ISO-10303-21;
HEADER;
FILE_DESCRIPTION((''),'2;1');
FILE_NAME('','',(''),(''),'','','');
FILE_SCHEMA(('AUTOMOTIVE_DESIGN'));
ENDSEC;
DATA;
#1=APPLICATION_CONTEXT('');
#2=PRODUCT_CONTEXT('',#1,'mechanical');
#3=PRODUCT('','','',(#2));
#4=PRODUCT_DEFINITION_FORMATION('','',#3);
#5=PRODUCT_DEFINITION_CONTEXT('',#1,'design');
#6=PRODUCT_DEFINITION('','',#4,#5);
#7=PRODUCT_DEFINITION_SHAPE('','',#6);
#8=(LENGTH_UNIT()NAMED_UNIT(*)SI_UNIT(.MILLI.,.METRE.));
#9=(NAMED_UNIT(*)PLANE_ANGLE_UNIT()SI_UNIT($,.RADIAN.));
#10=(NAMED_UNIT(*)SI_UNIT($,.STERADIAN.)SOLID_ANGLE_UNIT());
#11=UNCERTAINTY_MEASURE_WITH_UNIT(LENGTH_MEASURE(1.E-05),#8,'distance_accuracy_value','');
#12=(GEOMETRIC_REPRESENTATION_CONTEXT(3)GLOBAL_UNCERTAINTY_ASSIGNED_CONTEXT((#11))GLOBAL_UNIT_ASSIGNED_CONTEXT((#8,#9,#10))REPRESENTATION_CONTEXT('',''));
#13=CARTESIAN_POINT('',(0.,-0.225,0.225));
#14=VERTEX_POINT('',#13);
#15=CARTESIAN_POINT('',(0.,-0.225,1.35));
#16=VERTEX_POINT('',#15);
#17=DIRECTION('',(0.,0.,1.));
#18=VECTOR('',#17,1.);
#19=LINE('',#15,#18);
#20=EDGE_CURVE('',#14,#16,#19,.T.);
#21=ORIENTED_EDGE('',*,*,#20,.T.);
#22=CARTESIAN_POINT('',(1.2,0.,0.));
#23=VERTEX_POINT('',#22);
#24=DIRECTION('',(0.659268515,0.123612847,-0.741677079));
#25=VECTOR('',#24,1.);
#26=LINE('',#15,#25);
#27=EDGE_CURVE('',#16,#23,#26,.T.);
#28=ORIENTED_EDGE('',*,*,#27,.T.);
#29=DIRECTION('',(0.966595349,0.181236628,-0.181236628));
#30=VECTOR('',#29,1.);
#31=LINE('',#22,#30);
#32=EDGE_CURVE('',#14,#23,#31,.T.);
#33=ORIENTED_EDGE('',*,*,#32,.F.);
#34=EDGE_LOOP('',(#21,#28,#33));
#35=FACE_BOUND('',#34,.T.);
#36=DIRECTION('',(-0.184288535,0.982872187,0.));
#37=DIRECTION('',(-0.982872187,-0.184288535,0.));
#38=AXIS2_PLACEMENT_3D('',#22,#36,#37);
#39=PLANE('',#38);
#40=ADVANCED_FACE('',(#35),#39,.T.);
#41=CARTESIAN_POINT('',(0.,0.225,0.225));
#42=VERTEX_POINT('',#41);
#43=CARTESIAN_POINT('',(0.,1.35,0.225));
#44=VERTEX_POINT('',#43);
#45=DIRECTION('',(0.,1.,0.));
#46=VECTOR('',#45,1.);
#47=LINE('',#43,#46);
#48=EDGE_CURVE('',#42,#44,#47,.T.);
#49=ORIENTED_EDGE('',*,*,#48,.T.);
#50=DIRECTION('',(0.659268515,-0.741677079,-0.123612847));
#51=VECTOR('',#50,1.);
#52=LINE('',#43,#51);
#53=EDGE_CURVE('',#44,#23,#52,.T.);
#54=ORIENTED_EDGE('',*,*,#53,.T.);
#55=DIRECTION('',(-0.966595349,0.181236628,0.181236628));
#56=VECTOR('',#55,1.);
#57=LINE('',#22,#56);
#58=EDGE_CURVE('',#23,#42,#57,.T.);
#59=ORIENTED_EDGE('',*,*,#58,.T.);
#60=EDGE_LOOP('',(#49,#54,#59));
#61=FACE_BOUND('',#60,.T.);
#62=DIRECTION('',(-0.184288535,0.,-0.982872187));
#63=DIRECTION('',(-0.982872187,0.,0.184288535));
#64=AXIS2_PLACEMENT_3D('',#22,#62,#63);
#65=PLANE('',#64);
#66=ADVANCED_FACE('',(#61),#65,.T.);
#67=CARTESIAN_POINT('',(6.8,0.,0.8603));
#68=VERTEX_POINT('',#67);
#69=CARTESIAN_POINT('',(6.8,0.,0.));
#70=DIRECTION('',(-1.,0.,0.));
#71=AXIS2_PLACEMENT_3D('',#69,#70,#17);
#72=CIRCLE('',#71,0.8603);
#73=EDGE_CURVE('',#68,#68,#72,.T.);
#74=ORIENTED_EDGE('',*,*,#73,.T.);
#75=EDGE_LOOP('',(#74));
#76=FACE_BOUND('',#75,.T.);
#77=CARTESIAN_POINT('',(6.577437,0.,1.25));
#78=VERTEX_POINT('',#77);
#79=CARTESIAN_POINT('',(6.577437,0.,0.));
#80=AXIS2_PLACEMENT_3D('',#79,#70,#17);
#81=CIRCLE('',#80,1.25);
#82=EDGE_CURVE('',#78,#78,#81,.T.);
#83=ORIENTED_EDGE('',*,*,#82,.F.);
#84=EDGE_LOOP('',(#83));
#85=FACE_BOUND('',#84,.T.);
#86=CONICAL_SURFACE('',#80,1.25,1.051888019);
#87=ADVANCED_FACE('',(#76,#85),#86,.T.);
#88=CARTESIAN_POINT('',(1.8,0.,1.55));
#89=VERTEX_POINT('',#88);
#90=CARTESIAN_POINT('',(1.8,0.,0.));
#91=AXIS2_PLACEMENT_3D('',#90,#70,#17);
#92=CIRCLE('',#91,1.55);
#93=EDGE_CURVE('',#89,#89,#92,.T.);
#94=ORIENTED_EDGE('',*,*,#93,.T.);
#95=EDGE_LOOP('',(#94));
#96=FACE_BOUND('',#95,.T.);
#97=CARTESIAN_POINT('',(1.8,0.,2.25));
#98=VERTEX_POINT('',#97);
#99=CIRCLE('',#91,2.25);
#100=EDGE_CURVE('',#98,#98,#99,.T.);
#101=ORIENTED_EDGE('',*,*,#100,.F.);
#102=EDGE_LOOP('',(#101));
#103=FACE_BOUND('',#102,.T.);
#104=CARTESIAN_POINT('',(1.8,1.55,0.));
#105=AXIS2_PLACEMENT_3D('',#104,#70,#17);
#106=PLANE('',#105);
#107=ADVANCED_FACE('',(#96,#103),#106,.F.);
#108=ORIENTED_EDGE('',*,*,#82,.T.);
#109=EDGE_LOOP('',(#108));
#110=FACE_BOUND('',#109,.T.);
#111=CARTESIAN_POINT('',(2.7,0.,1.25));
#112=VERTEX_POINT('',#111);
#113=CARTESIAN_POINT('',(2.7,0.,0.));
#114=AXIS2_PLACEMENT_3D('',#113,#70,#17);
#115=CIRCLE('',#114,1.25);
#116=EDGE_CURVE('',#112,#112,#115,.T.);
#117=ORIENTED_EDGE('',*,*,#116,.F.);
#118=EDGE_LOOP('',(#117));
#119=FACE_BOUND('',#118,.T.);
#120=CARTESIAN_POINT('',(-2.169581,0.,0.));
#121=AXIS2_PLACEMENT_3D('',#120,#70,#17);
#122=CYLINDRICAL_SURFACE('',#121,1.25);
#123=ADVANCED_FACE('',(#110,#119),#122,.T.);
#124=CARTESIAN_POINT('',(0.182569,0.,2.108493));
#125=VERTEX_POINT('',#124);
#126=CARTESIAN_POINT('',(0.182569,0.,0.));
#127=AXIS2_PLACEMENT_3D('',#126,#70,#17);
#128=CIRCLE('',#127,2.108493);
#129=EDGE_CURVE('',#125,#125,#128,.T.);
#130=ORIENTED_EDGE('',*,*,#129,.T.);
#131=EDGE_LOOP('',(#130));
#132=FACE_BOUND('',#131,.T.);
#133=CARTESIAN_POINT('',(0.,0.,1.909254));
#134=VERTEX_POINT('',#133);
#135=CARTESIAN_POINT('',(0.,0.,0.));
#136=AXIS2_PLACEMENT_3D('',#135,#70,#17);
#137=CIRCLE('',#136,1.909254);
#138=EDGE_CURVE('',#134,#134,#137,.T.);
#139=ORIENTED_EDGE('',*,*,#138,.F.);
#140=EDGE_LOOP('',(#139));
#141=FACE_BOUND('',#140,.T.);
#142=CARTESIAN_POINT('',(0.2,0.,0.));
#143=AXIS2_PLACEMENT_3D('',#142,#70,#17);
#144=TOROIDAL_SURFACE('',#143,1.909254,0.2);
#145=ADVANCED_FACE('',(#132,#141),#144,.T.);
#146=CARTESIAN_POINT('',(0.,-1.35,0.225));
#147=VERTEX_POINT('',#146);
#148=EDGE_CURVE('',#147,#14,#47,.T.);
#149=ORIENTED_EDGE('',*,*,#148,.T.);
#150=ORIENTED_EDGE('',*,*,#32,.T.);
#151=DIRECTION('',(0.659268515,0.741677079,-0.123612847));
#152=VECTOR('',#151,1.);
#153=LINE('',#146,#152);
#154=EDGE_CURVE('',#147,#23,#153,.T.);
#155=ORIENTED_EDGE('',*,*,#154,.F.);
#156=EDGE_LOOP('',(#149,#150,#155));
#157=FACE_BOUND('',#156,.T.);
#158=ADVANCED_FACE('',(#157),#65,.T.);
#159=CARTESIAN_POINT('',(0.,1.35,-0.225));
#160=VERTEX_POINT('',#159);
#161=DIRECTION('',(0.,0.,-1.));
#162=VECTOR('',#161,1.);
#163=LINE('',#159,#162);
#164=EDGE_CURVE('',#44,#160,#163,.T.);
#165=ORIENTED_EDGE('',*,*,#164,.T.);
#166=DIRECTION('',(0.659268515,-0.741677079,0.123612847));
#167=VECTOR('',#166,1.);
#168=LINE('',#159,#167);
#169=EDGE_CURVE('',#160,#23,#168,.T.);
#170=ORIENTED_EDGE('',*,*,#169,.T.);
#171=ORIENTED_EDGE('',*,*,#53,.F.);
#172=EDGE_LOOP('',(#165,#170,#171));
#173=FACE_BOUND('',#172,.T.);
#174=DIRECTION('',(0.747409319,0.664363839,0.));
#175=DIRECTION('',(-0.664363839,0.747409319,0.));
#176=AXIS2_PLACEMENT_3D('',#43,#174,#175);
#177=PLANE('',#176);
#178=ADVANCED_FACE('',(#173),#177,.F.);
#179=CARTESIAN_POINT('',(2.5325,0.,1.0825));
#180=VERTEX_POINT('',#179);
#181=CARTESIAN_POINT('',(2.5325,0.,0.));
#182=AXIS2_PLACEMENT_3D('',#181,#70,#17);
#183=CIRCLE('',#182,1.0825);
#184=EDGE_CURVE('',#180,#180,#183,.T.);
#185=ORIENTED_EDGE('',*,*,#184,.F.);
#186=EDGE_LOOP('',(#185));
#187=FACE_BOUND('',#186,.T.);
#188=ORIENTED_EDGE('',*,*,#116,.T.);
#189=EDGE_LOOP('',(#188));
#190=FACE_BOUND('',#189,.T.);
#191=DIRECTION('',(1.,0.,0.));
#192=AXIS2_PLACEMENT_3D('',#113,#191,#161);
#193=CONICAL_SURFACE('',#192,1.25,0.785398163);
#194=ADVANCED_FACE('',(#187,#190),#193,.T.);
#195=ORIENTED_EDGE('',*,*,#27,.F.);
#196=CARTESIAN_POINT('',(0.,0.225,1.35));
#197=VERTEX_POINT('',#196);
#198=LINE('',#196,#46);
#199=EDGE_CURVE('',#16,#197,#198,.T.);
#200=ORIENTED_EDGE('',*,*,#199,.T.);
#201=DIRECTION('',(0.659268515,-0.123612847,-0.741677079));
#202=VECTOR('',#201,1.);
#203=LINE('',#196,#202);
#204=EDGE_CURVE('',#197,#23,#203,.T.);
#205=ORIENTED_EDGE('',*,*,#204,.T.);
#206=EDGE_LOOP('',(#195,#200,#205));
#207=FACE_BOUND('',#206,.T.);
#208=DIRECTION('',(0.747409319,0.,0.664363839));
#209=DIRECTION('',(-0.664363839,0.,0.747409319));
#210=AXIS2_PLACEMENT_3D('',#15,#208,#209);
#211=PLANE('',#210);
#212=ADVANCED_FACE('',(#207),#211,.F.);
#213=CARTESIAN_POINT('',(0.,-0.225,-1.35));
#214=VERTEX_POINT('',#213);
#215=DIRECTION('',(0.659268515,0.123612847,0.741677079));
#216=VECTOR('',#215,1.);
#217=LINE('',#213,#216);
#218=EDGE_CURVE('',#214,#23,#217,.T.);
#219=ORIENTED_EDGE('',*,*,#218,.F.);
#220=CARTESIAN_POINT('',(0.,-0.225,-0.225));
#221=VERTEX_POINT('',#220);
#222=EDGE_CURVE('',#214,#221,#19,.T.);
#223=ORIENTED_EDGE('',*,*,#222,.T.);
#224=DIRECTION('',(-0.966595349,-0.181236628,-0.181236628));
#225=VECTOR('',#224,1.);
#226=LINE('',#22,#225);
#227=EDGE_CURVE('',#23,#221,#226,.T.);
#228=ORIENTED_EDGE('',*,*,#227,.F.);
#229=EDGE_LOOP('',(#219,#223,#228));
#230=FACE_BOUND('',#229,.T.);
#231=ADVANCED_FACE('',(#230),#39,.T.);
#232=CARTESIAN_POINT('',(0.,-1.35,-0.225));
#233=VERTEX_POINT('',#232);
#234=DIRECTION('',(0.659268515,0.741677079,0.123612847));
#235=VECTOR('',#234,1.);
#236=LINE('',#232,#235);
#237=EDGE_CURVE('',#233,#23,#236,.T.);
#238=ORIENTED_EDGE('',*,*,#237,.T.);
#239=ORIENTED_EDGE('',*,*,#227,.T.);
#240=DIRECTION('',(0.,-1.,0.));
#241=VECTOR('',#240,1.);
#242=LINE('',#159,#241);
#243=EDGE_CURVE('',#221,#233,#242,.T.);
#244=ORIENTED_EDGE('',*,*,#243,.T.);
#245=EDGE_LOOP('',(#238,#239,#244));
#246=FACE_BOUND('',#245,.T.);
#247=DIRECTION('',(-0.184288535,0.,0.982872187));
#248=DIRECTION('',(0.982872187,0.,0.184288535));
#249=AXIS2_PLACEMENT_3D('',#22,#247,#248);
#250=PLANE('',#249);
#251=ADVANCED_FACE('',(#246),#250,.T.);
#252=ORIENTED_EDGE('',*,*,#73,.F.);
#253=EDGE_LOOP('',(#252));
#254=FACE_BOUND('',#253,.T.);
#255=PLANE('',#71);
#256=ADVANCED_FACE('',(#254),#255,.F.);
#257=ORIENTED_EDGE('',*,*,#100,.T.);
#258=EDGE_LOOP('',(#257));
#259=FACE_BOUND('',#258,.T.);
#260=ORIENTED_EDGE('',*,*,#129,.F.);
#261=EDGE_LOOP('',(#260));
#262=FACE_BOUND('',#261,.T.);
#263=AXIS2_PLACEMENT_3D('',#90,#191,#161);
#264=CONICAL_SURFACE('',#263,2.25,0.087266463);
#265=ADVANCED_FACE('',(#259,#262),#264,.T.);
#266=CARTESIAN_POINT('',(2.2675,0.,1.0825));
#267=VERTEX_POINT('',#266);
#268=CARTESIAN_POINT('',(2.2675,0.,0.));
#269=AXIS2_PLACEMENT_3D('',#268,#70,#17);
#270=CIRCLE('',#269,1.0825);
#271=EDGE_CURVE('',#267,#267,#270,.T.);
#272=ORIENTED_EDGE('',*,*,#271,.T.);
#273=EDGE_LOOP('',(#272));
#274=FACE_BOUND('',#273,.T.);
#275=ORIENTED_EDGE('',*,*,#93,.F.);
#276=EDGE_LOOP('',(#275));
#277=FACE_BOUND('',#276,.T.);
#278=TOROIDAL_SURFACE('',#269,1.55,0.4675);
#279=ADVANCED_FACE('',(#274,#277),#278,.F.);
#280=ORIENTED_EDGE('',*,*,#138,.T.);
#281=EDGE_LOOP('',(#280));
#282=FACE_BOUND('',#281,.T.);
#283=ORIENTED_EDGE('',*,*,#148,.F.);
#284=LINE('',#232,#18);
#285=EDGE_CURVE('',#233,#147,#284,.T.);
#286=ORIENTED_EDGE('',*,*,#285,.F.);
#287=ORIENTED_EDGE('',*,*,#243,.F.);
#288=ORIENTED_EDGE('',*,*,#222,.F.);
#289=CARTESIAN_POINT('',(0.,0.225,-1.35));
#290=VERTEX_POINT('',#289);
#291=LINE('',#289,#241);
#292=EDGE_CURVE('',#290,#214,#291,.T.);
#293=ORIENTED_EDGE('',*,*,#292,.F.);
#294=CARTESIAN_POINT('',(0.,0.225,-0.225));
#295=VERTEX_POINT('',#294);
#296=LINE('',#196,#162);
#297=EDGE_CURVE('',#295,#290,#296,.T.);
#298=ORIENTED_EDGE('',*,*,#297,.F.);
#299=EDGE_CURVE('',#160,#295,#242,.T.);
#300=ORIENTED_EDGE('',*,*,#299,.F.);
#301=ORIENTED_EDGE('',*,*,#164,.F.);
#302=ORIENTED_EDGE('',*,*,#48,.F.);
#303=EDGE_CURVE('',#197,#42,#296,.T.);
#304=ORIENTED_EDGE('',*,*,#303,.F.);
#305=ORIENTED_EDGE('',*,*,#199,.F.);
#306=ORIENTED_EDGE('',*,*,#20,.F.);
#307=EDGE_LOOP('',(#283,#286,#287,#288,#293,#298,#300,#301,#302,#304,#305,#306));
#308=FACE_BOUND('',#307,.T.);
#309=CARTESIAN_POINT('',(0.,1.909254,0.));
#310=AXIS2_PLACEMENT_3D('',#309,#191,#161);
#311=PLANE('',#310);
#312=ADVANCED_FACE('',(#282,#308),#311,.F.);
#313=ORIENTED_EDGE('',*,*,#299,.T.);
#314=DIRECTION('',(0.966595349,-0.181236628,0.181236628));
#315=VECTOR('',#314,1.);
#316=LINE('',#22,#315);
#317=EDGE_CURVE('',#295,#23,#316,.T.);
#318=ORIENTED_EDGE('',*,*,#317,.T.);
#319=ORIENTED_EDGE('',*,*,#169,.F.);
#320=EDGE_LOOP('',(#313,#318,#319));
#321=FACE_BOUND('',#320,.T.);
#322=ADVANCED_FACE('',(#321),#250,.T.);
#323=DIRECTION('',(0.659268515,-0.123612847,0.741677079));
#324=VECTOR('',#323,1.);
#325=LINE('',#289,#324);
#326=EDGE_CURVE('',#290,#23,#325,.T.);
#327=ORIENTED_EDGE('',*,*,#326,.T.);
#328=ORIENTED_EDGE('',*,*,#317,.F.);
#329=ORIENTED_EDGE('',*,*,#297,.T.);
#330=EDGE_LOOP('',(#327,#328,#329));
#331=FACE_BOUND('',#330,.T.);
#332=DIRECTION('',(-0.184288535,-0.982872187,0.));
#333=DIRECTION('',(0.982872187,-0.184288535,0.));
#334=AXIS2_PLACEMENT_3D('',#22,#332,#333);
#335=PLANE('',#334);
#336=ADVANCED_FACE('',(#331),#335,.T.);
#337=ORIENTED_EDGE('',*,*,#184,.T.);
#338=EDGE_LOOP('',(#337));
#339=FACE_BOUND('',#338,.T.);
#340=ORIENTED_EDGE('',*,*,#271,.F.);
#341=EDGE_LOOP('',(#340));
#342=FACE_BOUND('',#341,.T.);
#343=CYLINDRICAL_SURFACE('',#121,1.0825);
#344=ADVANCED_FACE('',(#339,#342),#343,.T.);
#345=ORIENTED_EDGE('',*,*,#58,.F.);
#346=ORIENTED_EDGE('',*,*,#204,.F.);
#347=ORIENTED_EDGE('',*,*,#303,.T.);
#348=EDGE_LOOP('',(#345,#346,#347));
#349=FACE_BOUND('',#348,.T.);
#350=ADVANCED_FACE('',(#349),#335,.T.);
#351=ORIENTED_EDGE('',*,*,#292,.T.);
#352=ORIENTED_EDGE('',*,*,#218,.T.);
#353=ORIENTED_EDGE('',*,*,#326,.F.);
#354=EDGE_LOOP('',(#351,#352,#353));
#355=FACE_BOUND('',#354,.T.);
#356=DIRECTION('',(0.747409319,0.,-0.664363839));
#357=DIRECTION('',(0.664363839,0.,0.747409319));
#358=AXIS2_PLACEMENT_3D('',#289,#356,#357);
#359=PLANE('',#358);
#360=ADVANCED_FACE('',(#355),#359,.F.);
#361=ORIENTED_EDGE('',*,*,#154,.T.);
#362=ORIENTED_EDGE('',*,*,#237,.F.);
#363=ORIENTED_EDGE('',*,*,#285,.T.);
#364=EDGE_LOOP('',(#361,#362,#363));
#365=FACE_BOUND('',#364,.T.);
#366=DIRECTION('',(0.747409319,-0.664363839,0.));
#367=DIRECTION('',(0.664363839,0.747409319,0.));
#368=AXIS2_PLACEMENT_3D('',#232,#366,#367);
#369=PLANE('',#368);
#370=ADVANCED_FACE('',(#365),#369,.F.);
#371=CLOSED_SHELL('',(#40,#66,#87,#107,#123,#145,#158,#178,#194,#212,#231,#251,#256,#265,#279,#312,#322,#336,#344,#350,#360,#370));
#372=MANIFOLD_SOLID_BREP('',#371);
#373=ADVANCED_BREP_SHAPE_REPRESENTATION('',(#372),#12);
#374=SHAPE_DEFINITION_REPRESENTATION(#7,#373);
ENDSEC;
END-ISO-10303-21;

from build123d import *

# Parameters (mm, degrees)
PATTERN_CIRCULAR_1_COUNT = 2
PATTERN_CIRCULAR_1_ANGLE = 90


with BuildPart() as part:
    # 草图3 → Revolve 850 (revolve)
    with BuildSketch(Plane.XY, mode=Mode.PRIVATE) as revolve_850_sk:
        with BuildLine():
            Line((0, 0), (6.8, 0))
            Line((6.8, 0), (6.8, 1.25))
            Line((6.8, 1.25), (2.7, 1.25))
            Line((2.7, 1.25), (2.5325, 1.0825))
            Line((2.5325, 1.0825), (2.2675, 1.0825))
            ThreePointArc((2.2675, 1.0825), (1.93692758, 1.21942758), (1.8, 1.55))
            Line((1.8, 1.55), (1.8, 2.25))
            Line((1.8, 2.25), (0.182568851, 2.10849311))
            ThreePointArc((0.182568851, 2.10849311), (0.052544533, 2.044372212), (0, 1.909254171))
            Line((0, 1.909254171), (0, 0))
        make_face()
    revolve(revolve_850_sk.sketch.rotate(Axis((-2.16958059, 0, 0), (1, 0, 0)), 90), axis=Axis((-2.16958059, 0, 0), (1, 0, 0)))

    # 草图4 → 切除-旋转1 (revolve, cut)
    with BuildSketch(Plane.XY, mode=Mode.PRIVATE) as cut_revolve_1_sk:
        Polygon((6.577437203, 1.25), (7.027437203, 1.25), (6.8, 0.8603), align=None)
    revolve(cut_revolve_1_sk.sketch.rotate(Axis((-0.21798541, 0, 0), (1, 0, 0)), 90), axis=Axis((-0.21798541, 0, 0), (1, 0, 0)), mode=Mode.SUBTRACT)

    # 草图5 → 切除-放样1 section 0
    with BuildSketch(Plane.ZY, mode=Mode.PRIVATE) as loft_1_s0:
        with BuildLine():
            Line((-0.225, 1.35), (0.225, 1.35))
            Line((0.225, 1.35), (0.225, -1.35))
            Line((0.225, -1.35), (-0.225, -1.35))
            Line((-0.225, -1.35), (-0.225, 1.35))
        make_face()
    loft_1 = loft([loft_1_s0.sketch, Vertex(1.2, 0, 0)], mode=Mode.SUBTRACT)

    # 阵列(圆周)1: 切除-放样1 ×2 about axis
    pattern_circular_1_axis = Axis((0, 0, 0), (1, 0, 0))
    for i in range(1, PATTERN_CIRCULAR_1_COUNT):
        add(loft_1.rotate(pattern_circular_1_axis, i * PATTERN_CIRCULAR_1_ANGLE / (PATTERN_CIRCULAR_1_COUNT - 1)), mode=Mode.SUBTRACT)


solid = part.part
